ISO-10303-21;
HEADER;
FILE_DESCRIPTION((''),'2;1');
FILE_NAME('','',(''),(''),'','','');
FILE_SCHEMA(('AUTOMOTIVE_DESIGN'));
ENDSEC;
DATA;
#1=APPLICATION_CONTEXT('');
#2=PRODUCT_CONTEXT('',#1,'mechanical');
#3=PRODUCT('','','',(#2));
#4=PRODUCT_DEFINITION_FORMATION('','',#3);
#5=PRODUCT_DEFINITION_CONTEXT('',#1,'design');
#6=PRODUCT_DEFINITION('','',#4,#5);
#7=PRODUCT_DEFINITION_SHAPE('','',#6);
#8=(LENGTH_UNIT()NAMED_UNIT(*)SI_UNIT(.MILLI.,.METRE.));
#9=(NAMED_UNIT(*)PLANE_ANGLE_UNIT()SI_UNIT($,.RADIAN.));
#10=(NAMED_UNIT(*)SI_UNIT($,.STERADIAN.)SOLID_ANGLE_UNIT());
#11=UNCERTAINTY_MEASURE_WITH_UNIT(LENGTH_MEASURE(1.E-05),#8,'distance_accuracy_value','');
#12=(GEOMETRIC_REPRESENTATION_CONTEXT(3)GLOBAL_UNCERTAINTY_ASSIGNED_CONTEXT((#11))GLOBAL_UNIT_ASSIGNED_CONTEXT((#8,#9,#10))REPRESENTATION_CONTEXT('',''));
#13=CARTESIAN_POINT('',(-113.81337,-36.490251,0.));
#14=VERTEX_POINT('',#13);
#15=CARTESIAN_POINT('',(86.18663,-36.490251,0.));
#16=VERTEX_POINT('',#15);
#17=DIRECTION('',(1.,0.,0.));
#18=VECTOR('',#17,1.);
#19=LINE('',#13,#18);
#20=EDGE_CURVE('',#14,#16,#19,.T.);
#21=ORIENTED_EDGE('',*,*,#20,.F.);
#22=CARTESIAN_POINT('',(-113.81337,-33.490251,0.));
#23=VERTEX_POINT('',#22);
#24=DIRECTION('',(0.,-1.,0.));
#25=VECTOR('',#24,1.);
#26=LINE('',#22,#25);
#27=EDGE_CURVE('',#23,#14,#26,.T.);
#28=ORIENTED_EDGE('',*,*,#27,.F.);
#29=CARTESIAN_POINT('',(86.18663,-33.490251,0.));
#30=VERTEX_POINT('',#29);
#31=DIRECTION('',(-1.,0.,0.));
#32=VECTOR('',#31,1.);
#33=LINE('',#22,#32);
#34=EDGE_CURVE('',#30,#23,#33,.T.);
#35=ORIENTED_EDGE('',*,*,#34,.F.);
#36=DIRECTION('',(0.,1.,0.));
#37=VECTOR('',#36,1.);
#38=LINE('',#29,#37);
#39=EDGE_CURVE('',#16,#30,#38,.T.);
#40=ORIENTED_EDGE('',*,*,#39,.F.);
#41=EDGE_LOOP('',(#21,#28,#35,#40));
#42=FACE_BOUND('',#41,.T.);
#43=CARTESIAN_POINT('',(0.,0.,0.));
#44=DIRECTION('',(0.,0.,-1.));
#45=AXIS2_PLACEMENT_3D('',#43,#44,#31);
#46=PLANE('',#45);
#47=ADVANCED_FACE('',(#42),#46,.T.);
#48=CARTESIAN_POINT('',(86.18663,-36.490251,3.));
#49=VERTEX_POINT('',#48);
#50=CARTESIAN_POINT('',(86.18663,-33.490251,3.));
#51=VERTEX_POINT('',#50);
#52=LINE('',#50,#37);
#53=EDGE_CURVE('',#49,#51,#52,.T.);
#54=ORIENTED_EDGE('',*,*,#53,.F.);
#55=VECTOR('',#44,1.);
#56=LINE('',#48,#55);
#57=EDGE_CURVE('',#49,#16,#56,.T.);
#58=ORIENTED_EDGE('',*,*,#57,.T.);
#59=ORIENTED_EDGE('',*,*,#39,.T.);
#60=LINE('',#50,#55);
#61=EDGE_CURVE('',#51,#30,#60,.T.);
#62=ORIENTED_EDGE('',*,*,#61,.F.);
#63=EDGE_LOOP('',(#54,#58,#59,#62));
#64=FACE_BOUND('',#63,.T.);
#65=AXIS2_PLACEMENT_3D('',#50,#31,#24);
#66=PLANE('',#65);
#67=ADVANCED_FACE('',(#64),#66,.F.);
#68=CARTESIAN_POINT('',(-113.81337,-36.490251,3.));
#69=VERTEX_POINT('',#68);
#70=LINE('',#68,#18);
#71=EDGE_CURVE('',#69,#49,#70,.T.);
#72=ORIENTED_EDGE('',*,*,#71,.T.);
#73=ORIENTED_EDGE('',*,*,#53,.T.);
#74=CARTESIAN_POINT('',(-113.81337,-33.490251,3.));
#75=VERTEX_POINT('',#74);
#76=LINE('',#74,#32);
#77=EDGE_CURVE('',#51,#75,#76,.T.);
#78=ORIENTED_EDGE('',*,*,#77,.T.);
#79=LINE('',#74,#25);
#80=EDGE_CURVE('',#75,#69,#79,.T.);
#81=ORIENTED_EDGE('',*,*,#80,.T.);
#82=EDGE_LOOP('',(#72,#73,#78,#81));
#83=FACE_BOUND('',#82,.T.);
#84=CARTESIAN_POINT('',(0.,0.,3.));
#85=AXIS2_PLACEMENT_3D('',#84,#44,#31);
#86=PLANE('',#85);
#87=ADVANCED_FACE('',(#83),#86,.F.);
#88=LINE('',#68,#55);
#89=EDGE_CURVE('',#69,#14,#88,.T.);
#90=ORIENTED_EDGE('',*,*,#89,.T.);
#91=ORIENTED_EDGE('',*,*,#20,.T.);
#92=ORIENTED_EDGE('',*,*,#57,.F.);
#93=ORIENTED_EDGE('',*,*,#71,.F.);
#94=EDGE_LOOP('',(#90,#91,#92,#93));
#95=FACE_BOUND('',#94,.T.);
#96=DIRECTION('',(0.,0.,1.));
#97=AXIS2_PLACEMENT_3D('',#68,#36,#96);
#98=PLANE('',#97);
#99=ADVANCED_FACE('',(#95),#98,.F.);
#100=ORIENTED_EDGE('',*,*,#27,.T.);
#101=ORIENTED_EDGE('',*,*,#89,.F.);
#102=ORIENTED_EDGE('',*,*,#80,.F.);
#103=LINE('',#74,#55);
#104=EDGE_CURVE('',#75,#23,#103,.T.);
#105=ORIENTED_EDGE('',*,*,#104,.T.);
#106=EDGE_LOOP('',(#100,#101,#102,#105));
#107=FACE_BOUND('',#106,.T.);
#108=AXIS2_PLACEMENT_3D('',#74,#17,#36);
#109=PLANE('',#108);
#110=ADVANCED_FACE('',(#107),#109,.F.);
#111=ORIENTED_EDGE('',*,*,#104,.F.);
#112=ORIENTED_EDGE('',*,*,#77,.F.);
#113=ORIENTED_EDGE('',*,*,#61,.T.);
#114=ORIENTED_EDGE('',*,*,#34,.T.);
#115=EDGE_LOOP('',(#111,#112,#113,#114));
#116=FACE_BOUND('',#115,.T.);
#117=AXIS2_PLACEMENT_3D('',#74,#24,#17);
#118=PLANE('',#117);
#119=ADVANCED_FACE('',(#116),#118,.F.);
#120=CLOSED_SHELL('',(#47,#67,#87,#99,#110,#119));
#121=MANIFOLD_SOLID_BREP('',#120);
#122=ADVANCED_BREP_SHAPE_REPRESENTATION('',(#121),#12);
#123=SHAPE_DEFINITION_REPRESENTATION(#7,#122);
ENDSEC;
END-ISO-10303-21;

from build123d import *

# Parameters (mm, degrees)
ESQUISSE1_W        = 200
ESQUISSE1_H        = 3
BOSS_EXTRU_1_DEPTH = 3


with BuildPart() as part:
    # Esquisse1 → Boss.-Extru.1 (new body)
    with BuildSketch(Plane.XY):
        with Locations((-13.813370474, -34.990250696)):
            Rectangle(ESQUISSE1_W, ESQUISSE1_H)
    extrude(amount=BOSS_EXTRU_1_DEPTH)


solid = part.part
